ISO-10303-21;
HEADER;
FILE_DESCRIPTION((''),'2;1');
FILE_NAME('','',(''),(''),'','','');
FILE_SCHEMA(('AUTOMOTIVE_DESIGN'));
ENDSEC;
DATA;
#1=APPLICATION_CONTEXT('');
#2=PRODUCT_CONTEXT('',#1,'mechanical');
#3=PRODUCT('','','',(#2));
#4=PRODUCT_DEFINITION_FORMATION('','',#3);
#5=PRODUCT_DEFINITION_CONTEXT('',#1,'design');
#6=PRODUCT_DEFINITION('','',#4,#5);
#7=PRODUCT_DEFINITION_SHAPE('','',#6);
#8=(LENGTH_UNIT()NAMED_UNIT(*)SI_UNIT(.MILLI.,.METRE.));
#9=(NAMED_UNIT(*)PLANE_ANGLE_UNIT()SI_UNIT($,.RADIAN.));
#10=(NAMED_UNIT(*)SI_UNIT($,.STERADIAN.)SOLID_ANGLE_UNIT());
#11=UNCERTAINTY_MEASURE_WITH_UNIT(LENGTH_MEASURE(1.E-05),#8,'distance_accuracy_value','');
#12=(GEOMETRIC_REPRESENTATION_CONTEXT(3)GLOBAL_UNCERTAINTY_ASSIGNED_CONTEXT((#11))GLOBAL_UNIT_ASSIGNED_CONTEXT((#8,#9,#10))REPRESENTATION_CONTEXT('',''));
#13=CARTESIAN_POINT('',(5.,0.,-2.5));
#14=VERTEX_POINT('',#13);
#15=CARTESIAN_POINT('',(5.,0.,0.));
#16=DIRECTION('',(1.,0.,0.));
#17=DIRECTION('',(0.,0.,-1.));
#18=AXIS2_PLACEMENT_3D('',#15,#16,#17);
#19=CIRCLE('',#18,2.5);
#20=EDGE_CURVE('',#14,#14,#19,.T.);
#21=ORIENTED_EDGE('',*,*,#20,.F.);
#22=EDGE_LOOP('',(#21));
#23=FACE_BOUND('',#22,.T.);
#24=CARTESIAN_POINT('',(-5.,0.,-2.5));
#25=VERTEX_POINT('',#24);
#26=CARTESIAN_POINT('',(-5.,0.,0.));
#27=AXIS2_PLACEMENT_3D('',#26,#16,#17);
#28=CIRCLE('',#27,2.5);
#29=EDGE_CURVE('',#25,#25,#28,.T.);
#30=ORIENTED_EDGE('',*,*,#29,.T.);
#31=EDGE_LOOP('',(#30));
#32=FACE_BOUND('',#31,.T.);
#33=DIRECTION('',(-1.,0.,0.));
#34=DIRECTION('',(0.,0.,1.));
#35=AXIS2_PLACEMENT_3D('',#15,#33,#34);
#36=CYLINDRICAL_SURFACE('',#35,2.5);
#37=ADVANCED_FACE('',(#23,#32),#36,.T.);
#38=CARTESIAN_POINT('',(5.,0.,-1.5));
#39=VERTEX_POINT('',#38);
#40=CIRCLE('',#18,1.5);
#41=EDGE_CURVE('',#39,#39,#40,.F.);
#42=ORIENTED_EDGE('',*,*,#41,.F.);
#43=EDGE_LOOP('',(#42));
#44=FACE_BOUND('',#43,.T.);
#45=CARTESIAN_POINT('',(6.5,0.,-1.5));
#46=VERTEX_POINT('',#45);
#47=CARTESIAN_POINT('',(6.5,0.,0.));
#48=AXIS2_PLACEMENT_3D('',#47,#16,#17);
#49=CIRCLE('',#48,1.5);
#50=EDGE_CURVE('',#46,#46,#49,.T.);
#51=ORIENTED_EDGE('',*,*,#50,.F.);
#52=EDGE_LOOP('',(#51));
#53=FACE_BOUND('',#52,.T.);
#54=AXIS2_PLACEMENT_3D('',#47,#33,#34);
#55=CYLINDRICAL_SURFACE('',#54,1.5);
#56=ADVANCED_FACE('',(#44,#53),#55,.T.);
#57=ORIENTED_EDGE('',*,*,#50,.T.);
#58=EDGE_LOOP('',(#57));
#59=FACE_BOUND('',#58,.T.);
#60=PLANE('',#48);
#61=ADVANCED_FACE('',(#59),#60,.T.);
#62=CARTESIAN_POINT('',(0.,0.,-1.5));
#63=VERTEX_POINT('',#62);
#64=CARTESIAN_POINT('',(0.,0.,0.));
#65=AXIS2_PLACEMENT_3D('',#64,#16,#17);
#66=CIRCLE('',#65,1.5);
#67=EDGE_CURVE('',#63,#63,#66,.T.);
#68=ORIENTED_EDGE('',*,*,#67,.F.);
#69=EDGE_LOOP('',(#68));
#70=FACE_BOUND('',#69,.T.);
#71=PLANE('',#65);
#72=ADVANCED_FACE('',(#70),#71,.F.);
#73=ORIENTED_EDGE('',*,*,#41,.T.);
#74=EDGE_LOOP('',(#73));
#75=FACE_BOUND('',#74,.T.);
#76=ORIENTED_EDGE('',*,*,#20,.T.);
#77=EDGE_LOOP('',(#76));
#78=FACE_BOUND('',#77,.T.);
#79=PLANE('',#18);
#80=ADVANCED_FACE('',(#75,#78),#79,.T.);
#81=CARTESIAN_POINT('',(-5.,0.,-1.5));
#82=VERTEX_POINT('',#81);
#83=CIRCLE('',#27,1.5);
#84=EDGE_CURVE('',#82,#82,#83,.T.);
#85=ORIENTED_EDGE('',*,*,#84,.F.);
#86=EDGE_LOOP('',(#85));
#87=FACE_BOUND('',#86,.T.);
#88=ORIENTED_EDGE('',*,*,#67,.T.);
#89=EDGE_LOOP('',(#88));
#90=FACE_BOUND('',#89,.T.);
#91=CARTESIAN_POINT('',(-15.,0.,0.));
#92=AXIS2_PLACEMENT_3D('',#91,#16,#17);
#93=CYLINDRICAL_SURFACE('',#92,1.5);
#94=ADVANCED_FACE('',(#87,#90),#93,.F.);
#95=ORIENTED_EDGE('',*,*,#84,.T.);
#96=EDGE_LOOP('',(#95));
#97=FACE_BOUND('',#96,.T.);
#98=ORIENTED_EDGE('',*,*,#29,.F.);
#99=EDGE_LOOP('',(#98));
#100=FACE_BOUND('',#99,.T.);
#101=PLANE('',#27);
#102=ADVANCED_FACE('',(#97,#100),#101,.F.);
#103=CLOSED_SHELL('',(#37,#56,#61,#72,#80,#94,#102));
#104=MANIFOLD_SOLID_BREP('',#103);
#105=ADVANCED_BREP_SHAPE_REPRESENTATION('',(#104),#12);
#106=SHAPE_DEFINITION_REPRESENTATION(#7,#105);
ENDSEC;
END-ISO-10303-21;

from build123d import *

# Parameters (mm, degrees)
SKETCH_1_R          = 2.5
EXTRUDE_1_DEPTH     = 5
SKETCH_2_R          = 1.5
CUT_EXTRUDE_1_DEPTH = 15
SKETCH_3_R          = 1.5
EXTRUDE_4_DEPTH     = 1.5


with BuildPart() as part:
    # 草图1 → 凸台-拉伸1 (new, symmetric)
    with BuildSketch(Plane(origin=(0, 0, 0), x_dir=(0, 0, -1), z_dir=(1, 0, 0))):
        Circle(SKETCH_1_R)
    extrude(amount=EXTRUDE_1_DEPTH, both=True)

    # 草图2 → 切除-拉伸1 (cut)
    with BuildSketch(Plane(origin=(0, 0, 0), x_dir=(0, 0, -1), z_dir=(1, 0, 0))):
        Circle(SKETCH_2_R)
    extrude(amount=-CUT_EXTRUDE_1_DEPTH, mode=Mode.SUBTRACT)

    # 草图3 → 凸台-拉伸4 (add, symmetric)
    with BuildSketch(Plane(origin=(5, 0, 0), x_dir=(0, 0, -1), z_dir=(1, 0, 0))):
        Circle(SKETCH_3_R)
    extrude(amount=EXTRUDE_4_DEPTH, both=True)


solid = part.part
